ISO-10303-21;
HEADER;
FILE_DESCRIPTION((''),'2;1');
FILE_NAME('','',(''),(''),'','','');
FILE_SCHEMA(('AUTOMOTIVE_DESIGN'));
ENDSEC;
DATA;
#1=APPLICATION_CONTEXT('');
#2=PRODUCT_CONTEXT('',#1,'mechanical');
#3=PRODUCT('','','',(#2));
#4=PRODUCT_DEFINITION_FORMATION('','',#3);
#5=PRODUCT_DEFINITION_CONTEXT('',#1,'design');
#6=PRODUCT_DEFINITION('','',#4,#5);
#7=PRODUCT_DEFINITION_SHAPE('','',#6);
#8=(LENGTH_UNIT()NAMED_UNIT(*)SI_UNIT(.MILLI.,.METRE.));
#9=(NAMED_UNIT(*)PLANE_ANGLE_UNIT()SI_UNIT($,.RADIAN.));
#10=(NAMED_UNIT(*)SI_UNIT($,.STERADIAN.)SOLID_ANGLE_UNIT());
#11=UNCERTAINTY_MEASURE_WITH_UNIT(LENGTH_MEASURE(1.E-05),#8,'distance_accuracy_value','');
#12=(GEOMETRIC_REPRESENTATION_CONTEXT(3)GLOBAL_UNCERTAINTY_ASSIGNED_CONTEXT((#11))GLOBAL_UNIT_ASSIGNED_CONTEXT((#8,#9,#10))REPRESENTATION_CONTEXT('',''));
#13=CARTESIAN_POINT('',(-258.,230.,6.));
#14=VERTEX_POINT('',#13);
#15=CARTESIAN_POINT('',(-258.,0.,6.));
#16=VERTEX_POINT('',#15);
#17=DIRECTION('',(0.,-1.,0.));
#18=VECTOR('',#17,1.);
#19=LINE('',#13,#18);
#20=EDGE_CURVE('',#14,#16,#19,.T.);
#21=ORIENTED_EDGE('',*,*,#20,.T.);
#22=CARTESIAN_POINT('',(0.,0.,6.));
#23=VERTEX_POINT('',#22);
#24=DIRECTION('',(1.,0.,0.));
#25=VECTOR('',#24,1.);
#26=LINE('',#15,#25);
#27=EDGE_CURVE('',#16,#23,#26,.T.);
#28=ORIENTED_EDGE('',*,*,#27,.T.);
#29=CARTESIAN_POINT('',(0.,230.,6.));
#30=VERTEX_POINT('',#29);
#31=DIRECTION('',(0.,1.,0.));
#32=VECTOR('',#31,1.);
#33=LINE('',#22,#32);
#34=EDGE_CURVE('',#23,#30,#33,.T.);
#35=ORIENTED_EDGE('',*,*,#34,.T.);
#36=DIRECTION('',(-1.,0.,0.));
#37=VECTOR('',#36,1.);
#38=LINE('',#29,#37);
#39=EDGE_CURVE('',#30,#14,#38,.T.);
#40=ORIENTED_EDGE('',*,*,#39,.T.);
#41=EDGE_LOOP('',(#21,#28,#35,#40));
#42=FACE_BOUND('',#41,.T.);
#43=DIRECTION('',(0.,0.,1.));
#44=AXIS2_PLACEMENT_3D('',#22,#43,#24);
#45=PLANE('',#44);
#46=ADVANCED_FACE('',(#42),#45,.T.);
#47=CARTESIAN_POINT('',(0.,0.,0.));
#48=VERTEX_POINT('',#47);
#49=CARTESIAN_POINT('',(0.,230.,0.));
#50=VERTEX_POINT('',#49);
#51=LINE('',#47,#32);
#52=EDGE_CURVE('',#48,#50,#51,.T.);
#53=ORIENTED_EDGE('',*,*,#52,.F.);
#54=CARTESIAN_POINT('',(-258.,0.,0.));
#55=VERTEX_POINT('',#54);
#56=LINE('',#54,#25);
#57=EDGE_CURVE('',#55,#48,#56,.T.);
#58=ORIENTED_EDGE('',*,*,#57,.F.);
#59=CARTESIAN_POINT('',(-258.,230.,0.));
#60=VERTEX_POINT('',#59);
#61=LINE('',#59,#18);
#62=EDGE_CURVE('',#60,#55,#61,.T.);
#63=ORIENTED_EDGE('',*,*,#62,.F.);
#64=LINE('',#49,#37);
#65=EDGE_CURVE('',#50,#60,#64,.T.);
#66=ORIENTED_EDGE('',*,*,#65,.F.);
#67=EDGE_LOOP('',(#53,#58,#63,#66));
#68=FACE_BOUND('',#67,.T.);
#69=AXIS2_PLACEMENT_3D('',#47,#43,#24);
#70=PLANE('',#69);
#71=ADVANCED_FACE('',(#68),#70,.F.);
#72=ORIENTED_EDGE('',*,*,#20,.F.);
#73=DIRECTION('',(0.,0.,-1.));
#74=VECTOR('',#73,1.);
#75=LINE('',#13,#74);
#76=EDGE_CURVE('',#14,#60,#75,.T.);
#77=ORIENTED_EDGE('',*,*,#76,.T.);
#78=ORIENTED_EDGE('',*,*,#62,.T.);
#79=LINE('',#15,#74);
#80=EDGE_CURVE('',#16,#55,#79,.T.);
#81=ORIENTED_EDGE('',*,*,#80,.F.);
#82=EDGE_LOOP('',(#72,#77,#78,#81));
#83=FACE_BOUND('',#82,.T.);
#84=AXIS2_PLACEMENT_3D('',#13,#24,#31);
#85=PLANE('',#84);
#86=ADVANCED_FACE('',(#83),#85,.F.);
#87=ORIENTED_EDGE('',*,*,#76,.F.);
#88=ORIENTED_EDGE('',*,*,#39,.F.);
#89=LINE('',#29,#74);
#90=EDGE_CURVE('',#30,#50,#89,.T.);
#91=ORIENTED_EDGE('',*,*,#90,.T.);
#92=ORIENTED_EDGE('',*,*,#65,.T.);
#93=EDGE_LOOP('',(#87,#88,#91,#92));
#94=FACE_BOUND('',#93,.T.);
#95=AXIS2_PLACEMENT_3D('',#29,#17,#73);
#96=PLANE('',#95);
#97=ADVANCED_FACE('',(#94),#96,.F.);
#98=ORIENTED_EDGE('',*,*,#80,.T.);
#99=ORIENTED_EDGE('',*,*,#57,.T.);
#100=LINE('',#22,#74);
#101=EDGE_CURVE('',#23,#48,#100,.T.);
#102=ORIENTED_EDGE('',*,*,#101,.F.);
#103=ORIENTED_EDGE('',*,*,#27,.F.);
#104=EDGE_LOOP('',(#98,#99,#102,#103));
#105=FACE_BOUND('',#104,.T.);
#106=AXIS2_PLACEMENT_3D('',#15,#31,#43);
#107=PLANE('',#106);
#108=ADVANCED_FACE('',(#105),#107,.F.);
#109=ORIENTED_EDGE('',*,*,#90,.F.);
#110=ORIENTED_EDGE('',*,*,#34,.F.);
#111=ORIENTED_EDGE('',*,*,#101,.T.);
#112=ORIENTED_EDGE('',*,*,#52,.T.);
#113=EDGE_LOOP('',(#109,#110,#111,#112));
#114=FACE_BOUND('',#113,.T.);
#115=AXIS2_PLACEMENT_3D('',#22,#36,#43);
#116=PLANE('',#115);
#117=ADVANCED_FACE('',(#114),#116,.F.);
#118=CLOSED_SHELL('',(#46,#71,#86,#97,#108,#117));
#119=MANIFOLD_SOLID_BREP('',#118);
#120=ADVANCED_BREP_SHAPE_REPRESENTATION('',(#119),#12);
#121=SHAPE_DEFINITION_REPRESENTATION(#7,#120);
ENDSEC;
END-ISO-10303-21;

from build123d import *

# Parameters (mm, degrees)
ESBO_O1_W                = 258
ESBO_O1_H                = 230
RESSALTO_EXTRUS_O1_DEPTH = 6


with BuildPart() as part:
    # Esboço1 → Ressalto-extrusão1 (new body)
    with BuildSketch(Plane.XY):
        with Locations((-129, 115)):
            Rectangle(ESBO_O1_W, ESBO_O1_H)
    extrude(amount=RESSALTO_EXTRUS_O1_DEPTH)


solid = part.part
